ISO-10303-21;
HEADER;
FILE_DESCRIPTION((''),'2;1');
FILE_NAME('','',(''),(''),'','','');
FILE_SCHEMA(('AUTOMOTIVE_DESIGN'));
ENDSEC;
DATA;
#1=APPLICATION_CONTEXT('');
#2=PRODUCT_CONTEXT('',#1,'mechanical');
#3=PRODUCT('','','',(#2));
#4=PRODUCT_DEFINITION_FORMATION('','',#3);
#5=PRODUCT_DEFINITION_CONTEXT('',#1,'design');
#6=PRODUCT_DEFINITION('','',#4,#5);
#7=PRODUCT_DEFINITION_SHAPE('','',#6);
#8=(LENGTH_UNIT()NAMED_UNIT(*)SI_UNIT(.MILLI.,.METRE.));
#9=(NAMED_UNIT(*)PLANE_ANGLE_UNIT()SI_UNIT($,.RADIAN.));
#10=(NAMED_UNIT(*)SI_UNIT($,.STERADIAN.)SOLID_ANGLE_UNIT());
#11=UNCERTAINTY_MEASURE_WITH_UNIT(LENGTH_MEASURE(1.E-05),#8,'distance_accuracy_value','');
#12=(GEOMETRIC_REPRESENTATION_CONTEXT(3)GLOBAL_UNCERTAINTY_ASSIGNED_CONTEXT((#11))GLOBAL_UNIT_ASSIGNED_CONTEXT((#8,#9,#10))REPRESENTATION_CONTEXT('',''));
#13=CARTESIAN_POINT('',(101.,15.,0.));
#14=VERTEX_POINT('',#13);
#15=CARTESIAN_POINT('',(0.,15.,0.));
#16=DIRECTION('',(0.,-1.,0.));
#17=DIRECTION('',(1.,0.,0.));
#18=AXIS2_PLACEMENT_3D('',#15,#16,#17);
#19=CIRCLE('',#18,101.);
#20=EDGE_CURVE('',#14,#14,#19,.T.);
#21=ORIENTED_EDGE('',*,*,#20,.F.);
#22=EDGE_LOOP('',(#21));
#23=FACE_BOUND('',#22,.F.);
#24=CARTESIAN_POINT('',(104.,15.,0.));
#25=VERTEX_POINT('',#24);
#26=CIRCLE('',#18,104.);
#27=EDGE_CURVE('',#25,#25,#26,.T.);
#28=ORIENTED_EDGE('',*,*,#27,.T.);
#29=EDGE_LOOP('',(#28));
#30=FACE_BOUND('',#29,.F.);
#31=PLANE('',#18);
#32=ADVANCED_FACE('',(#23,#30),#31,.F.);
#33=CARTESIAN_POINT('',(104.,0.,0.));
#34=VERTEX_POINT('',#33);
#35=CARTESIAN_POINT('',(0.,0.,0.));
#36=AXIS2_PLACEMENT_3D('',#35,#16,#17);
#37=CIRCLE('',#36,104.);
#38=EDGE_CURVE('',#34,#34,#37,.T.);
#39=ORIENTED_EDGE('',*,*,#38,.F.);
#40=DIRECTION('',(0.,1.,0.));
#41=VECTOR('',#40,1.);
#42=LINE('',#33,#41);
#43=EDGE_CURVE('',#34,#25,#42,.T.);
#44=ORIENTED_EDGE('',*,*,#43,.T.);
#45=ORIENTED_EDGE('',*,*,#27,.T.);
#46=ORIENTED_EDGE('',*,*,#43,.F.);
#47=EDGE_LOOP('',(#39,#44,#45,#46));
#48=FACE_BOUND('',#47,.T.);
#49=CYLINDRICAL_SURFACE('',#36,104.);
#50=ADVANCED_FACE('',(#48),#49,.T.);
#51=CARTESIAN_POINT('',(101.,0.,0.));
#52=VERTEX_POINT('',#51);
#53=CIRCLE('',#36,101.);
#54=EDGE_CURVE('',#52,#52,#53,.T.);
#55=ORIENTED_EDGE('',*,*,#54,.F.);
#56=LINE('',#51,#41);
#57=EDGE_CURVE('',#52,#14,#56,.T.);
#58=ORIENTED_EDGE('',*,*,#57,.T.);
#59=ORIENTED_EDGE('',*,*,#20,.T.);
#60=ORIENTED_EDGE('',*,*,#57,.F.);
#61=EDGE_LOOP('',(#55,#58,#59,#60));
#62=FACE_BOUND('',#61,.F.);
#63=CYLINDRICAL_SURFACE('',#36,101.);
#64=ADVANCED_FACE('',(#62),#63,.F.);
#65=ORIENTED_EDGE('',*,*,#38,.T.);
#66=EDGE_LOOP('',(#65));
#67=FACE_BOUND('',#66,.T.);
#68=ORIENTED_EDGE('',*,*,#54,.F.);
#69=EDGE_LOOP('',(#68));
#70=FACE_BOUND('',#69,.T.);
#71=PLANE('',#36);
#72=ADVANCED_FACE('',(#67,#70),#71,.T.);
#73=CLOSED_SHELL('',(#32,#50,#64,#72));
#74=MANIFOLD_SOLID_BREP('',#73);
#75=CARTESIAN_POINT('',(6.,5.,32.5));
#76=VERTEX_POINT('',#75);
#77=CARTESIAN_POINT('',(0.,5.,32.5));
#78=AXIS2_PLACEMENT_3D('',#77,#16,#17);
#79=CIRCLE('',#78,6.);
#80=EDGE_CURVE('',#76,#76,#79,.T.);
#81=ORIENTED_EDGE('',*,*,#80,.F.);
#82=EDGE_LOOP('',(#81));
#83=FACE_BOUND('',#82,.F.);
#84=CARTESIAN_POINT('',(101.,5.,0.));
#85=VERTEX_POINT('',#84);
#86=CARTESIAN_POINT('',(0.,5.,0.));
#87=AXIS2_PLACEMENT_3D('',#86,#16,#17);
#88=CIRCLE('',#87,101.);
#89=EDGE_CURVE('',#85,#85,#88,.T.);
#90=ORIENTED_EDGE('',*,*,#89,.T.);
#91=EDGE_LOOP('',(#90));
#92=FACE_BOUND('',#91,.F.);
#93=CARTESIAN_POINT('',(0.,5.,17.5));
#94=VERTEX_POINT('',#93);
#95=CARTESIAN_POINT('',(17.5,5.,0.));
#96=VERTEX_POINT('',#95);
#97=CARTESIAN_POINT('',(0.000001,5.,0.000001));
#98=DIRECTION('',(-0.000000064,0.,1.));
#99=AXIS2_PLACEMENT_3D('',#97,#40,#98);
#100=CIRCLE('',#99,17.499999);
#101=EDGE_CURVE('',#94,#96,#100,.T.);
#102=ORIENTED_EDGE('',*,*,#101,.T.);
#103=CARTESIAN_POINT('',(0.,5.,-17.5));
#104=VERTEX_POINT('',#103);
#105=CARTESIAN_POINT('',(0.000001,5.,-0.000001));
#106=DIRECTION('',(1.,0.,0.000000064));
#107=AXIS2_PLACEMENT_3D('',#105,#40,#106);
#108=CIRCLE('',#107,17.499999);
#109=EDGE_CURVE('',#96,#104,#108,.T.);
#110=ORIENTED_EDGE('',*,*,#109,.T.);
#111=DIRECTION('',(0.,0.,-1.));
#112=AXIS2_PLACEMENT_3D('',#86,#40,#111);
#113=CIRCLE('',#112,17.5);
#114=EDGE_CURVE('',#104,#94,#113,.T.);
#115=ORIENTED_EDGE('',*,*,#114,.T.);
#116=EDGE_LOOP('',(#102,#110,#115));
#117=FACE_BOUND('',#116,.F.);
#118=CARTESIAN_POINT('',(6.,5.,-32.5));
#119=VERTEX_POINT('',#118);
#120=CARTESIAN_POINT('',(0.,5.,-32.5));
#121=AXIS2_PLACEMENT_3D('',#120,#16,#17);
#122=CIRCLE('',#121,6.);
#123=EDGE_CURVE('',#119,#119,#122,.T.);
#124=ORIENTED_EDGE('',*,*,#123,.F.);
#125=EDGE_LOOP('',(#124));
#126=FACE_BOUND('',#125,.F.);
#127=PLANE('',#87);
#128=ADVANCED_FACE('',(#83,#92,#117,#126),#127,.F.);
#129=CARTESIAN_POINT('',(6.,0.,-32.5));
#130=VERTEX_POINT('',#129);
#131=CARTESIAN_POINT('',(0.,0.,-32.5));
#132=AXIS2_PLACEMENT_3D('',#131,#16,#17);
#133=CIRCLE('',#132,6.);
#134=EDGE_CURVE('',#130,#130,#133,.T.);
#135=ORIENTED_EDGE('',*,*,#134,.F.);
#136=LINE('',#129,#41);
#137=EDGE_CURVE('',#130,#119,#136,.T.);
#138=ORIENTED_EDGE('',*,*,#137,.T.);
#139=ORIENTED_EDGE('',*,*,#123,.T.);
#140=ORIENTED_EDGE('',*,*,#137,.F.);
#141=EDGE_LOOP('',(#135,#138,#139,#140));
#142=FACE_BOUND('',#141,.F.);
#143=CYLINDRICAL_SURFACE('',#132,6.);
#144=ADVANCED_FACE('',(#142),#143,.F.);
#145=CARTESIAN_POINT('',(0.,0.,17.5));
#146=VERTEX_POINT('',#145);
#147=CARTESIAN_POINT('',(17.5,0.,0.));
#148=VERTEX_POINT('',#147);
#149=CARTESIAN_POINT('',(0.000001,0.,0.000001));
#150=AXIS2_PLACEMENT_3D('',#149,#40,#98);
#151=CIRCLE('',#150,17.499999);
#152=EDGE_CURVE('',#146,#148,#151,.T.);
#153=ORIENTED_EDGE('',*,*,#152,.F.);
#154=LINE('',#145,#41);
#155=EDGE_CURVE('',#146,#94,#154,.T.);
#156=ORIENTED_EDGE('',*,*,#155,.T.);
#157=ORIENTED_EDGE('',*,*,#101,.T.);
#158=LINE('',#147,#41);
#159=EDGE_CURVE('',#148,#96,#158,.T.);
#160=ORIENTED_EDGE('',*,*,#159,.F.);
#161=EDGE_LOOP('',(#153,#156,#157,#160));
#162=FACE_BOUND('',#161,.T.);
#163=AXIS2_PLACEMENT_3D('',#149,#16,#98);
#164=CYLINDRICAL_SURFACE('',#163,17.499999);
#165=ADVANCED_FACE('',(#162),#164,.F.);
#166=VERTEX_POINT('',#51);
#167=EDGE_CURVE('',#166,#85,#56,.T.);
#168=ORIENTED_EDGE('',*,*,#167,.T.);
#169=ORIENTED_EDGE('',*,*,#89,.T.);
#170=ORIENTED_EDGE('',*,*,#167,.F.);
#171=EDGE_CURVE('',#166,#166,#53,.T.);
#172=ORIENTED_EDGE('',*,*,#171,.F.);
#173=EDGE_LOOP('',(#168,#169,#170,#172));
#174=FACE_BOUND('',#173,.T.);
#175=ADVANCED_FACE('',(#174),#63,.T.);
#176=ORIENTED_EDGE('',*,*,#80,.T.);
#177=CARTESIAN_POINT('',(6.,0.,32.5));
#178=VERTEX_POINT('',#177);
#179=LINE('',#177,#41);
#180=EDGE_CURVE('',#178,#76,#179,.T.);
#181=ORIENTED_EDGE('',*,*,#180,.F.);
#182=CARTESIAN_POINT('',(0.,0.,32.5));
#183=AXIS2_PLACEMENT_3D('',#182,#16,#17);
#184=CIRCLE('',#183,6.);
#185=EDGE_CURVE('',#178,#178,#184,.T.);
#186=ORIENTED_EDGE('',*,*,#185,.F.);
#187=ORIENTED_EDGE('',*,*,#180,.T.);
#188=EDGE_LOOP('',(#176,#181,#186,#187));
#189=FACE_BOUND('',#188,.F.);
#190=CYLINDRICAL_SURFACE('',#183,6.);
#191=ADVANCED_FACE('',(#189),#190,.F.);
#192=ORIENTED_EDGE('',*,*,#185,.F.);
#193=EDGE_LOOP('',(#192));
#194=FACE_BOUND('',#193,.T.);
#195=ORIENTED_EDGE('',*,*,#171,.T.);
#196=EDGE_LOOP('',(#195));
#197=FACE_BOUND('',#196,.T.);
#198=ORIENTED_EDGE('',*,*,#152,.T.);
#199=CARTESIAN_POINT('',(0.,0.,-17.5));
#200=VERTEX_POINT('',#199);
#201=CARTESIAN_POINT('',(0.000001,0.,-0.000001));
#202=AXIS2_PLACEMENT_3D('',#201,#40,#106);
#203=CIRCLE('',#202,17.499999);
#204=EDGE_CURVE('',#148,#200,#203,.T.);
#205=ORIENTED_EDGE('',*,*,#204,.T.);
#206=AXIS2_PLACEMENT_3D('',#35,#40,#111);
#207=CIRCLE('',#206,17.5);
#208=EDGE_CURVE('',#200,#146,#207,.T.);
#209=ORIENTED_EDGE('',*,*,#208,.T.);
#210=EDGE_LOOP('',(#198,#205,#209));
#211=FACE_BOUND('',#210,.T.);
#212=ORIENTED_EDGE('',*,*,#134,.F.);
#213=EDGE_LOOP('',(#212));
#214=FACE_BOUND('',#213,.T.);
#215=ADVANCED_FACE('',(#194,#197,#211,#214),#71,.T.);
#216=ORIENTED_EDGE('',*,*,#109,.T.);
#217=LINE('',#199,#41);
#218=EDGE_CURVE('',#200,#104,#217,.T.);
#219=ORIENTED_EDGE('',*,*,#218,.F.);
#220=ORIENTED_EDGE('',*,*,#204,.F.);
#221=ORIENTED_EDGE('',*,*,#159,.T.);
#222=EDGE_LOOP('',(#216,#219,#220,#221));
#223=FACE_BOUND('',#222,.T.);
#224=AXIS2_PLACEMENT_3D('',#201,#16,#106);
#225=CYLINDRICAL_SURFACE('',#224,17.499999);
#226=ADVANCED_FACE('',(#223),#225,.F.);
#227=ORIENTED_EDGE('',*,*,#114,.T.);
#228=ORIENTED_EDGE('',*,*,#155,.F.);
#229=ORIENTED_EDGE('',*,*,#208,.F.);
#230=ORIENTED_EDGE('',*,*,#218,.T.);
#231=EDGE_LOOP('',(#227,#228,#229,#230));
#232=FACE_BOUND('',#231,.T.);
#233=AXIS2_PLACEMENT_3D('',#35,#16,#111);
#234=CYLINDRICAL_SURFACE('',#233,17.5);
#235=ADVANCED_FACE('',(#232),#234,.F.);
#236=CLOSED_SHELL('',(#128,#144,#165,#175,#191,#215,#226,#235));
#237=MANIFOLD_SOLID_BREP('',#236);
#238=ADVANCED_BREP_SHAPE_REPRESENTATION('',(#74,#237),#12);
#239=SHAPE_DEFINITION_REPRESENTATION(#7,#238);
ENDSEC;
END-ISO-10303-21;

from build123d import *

# Parameters (mm, degrees)
F0_R     = 101
F0_R_2   = 6
F1_DEPTH = 5
F0_R_3   = 104
F2_DEPTH = 15


with BuildPart() as f1:
    # F0 (on Front) → F1 (new body)
    with BuildSketch(Plane.XZ):
        Circle(F0_R)
        with BuildLine():
            ThreePointArc((15, -32.5), (-10.606602, -43.106602), (0, -17.5))
            ThreePointArc((0, -17.5), (10.606602, -21.893398), (15, -32.5))
        make_face(mode=Mode.SUBTRACT)
        with BuildLine():
            ThreePointArc((0, 17.5), (12.374369, 12.374369), (17.5, 0))
            ThreePointArc((17.5, 0), (12.374369, -12.374369), (0, -17.5))
            ThreePointArc((0, -17.5), (-17.5, 0), (0, 17.5))
        make_face(mode=Mode.SUBTRACT)
        with BuildLine():
            ThreePointArc((15, 32.5), (10.606602, 21.893398), (0, 17.5))
            ThreePointArc((0, 17.5), (-10.606602, 43.106602), (15, 32.5))
        make_face(mode=Mode.SUBTRACT)
        with BuildLine():
            ThreePointArc((15, 32.5), (-10.606602, 43.106602), (0, 17.5))
            ThreePointArc((0, 17.5), (10.606602, 21.893398), (15, 32.5))
        make_face()
        with Locations((0, 32.5)):
            Circle(F0_R_2, mode=Mode.SUBTRACT)
        with BuildLine():
            ThreePointArc((15, -32.5), (10.606602, -21.893398), (0, -17.5))
            ThreePointArc((0, -17.5), (-10.606602, -43.106602), (15, -32.5))
        make_face()
        with Locations((0, -32.5)):
            Circle(F0_R_2, mode=Mode.SUBTRACT)
    extrude(amount=-F1_DEPTH)


with BuildPart() as f2:
    # F0 (on Front) → F2 (new body)
    with BuildSketch(Plane.XZ):
        Circle(F0_R_3)
        Circle(F0_R, mode=Mode.SUBTRACT)
    extrude(amount=-F2_DEPTH)


solid = Compound([f1.part, f2.part])
